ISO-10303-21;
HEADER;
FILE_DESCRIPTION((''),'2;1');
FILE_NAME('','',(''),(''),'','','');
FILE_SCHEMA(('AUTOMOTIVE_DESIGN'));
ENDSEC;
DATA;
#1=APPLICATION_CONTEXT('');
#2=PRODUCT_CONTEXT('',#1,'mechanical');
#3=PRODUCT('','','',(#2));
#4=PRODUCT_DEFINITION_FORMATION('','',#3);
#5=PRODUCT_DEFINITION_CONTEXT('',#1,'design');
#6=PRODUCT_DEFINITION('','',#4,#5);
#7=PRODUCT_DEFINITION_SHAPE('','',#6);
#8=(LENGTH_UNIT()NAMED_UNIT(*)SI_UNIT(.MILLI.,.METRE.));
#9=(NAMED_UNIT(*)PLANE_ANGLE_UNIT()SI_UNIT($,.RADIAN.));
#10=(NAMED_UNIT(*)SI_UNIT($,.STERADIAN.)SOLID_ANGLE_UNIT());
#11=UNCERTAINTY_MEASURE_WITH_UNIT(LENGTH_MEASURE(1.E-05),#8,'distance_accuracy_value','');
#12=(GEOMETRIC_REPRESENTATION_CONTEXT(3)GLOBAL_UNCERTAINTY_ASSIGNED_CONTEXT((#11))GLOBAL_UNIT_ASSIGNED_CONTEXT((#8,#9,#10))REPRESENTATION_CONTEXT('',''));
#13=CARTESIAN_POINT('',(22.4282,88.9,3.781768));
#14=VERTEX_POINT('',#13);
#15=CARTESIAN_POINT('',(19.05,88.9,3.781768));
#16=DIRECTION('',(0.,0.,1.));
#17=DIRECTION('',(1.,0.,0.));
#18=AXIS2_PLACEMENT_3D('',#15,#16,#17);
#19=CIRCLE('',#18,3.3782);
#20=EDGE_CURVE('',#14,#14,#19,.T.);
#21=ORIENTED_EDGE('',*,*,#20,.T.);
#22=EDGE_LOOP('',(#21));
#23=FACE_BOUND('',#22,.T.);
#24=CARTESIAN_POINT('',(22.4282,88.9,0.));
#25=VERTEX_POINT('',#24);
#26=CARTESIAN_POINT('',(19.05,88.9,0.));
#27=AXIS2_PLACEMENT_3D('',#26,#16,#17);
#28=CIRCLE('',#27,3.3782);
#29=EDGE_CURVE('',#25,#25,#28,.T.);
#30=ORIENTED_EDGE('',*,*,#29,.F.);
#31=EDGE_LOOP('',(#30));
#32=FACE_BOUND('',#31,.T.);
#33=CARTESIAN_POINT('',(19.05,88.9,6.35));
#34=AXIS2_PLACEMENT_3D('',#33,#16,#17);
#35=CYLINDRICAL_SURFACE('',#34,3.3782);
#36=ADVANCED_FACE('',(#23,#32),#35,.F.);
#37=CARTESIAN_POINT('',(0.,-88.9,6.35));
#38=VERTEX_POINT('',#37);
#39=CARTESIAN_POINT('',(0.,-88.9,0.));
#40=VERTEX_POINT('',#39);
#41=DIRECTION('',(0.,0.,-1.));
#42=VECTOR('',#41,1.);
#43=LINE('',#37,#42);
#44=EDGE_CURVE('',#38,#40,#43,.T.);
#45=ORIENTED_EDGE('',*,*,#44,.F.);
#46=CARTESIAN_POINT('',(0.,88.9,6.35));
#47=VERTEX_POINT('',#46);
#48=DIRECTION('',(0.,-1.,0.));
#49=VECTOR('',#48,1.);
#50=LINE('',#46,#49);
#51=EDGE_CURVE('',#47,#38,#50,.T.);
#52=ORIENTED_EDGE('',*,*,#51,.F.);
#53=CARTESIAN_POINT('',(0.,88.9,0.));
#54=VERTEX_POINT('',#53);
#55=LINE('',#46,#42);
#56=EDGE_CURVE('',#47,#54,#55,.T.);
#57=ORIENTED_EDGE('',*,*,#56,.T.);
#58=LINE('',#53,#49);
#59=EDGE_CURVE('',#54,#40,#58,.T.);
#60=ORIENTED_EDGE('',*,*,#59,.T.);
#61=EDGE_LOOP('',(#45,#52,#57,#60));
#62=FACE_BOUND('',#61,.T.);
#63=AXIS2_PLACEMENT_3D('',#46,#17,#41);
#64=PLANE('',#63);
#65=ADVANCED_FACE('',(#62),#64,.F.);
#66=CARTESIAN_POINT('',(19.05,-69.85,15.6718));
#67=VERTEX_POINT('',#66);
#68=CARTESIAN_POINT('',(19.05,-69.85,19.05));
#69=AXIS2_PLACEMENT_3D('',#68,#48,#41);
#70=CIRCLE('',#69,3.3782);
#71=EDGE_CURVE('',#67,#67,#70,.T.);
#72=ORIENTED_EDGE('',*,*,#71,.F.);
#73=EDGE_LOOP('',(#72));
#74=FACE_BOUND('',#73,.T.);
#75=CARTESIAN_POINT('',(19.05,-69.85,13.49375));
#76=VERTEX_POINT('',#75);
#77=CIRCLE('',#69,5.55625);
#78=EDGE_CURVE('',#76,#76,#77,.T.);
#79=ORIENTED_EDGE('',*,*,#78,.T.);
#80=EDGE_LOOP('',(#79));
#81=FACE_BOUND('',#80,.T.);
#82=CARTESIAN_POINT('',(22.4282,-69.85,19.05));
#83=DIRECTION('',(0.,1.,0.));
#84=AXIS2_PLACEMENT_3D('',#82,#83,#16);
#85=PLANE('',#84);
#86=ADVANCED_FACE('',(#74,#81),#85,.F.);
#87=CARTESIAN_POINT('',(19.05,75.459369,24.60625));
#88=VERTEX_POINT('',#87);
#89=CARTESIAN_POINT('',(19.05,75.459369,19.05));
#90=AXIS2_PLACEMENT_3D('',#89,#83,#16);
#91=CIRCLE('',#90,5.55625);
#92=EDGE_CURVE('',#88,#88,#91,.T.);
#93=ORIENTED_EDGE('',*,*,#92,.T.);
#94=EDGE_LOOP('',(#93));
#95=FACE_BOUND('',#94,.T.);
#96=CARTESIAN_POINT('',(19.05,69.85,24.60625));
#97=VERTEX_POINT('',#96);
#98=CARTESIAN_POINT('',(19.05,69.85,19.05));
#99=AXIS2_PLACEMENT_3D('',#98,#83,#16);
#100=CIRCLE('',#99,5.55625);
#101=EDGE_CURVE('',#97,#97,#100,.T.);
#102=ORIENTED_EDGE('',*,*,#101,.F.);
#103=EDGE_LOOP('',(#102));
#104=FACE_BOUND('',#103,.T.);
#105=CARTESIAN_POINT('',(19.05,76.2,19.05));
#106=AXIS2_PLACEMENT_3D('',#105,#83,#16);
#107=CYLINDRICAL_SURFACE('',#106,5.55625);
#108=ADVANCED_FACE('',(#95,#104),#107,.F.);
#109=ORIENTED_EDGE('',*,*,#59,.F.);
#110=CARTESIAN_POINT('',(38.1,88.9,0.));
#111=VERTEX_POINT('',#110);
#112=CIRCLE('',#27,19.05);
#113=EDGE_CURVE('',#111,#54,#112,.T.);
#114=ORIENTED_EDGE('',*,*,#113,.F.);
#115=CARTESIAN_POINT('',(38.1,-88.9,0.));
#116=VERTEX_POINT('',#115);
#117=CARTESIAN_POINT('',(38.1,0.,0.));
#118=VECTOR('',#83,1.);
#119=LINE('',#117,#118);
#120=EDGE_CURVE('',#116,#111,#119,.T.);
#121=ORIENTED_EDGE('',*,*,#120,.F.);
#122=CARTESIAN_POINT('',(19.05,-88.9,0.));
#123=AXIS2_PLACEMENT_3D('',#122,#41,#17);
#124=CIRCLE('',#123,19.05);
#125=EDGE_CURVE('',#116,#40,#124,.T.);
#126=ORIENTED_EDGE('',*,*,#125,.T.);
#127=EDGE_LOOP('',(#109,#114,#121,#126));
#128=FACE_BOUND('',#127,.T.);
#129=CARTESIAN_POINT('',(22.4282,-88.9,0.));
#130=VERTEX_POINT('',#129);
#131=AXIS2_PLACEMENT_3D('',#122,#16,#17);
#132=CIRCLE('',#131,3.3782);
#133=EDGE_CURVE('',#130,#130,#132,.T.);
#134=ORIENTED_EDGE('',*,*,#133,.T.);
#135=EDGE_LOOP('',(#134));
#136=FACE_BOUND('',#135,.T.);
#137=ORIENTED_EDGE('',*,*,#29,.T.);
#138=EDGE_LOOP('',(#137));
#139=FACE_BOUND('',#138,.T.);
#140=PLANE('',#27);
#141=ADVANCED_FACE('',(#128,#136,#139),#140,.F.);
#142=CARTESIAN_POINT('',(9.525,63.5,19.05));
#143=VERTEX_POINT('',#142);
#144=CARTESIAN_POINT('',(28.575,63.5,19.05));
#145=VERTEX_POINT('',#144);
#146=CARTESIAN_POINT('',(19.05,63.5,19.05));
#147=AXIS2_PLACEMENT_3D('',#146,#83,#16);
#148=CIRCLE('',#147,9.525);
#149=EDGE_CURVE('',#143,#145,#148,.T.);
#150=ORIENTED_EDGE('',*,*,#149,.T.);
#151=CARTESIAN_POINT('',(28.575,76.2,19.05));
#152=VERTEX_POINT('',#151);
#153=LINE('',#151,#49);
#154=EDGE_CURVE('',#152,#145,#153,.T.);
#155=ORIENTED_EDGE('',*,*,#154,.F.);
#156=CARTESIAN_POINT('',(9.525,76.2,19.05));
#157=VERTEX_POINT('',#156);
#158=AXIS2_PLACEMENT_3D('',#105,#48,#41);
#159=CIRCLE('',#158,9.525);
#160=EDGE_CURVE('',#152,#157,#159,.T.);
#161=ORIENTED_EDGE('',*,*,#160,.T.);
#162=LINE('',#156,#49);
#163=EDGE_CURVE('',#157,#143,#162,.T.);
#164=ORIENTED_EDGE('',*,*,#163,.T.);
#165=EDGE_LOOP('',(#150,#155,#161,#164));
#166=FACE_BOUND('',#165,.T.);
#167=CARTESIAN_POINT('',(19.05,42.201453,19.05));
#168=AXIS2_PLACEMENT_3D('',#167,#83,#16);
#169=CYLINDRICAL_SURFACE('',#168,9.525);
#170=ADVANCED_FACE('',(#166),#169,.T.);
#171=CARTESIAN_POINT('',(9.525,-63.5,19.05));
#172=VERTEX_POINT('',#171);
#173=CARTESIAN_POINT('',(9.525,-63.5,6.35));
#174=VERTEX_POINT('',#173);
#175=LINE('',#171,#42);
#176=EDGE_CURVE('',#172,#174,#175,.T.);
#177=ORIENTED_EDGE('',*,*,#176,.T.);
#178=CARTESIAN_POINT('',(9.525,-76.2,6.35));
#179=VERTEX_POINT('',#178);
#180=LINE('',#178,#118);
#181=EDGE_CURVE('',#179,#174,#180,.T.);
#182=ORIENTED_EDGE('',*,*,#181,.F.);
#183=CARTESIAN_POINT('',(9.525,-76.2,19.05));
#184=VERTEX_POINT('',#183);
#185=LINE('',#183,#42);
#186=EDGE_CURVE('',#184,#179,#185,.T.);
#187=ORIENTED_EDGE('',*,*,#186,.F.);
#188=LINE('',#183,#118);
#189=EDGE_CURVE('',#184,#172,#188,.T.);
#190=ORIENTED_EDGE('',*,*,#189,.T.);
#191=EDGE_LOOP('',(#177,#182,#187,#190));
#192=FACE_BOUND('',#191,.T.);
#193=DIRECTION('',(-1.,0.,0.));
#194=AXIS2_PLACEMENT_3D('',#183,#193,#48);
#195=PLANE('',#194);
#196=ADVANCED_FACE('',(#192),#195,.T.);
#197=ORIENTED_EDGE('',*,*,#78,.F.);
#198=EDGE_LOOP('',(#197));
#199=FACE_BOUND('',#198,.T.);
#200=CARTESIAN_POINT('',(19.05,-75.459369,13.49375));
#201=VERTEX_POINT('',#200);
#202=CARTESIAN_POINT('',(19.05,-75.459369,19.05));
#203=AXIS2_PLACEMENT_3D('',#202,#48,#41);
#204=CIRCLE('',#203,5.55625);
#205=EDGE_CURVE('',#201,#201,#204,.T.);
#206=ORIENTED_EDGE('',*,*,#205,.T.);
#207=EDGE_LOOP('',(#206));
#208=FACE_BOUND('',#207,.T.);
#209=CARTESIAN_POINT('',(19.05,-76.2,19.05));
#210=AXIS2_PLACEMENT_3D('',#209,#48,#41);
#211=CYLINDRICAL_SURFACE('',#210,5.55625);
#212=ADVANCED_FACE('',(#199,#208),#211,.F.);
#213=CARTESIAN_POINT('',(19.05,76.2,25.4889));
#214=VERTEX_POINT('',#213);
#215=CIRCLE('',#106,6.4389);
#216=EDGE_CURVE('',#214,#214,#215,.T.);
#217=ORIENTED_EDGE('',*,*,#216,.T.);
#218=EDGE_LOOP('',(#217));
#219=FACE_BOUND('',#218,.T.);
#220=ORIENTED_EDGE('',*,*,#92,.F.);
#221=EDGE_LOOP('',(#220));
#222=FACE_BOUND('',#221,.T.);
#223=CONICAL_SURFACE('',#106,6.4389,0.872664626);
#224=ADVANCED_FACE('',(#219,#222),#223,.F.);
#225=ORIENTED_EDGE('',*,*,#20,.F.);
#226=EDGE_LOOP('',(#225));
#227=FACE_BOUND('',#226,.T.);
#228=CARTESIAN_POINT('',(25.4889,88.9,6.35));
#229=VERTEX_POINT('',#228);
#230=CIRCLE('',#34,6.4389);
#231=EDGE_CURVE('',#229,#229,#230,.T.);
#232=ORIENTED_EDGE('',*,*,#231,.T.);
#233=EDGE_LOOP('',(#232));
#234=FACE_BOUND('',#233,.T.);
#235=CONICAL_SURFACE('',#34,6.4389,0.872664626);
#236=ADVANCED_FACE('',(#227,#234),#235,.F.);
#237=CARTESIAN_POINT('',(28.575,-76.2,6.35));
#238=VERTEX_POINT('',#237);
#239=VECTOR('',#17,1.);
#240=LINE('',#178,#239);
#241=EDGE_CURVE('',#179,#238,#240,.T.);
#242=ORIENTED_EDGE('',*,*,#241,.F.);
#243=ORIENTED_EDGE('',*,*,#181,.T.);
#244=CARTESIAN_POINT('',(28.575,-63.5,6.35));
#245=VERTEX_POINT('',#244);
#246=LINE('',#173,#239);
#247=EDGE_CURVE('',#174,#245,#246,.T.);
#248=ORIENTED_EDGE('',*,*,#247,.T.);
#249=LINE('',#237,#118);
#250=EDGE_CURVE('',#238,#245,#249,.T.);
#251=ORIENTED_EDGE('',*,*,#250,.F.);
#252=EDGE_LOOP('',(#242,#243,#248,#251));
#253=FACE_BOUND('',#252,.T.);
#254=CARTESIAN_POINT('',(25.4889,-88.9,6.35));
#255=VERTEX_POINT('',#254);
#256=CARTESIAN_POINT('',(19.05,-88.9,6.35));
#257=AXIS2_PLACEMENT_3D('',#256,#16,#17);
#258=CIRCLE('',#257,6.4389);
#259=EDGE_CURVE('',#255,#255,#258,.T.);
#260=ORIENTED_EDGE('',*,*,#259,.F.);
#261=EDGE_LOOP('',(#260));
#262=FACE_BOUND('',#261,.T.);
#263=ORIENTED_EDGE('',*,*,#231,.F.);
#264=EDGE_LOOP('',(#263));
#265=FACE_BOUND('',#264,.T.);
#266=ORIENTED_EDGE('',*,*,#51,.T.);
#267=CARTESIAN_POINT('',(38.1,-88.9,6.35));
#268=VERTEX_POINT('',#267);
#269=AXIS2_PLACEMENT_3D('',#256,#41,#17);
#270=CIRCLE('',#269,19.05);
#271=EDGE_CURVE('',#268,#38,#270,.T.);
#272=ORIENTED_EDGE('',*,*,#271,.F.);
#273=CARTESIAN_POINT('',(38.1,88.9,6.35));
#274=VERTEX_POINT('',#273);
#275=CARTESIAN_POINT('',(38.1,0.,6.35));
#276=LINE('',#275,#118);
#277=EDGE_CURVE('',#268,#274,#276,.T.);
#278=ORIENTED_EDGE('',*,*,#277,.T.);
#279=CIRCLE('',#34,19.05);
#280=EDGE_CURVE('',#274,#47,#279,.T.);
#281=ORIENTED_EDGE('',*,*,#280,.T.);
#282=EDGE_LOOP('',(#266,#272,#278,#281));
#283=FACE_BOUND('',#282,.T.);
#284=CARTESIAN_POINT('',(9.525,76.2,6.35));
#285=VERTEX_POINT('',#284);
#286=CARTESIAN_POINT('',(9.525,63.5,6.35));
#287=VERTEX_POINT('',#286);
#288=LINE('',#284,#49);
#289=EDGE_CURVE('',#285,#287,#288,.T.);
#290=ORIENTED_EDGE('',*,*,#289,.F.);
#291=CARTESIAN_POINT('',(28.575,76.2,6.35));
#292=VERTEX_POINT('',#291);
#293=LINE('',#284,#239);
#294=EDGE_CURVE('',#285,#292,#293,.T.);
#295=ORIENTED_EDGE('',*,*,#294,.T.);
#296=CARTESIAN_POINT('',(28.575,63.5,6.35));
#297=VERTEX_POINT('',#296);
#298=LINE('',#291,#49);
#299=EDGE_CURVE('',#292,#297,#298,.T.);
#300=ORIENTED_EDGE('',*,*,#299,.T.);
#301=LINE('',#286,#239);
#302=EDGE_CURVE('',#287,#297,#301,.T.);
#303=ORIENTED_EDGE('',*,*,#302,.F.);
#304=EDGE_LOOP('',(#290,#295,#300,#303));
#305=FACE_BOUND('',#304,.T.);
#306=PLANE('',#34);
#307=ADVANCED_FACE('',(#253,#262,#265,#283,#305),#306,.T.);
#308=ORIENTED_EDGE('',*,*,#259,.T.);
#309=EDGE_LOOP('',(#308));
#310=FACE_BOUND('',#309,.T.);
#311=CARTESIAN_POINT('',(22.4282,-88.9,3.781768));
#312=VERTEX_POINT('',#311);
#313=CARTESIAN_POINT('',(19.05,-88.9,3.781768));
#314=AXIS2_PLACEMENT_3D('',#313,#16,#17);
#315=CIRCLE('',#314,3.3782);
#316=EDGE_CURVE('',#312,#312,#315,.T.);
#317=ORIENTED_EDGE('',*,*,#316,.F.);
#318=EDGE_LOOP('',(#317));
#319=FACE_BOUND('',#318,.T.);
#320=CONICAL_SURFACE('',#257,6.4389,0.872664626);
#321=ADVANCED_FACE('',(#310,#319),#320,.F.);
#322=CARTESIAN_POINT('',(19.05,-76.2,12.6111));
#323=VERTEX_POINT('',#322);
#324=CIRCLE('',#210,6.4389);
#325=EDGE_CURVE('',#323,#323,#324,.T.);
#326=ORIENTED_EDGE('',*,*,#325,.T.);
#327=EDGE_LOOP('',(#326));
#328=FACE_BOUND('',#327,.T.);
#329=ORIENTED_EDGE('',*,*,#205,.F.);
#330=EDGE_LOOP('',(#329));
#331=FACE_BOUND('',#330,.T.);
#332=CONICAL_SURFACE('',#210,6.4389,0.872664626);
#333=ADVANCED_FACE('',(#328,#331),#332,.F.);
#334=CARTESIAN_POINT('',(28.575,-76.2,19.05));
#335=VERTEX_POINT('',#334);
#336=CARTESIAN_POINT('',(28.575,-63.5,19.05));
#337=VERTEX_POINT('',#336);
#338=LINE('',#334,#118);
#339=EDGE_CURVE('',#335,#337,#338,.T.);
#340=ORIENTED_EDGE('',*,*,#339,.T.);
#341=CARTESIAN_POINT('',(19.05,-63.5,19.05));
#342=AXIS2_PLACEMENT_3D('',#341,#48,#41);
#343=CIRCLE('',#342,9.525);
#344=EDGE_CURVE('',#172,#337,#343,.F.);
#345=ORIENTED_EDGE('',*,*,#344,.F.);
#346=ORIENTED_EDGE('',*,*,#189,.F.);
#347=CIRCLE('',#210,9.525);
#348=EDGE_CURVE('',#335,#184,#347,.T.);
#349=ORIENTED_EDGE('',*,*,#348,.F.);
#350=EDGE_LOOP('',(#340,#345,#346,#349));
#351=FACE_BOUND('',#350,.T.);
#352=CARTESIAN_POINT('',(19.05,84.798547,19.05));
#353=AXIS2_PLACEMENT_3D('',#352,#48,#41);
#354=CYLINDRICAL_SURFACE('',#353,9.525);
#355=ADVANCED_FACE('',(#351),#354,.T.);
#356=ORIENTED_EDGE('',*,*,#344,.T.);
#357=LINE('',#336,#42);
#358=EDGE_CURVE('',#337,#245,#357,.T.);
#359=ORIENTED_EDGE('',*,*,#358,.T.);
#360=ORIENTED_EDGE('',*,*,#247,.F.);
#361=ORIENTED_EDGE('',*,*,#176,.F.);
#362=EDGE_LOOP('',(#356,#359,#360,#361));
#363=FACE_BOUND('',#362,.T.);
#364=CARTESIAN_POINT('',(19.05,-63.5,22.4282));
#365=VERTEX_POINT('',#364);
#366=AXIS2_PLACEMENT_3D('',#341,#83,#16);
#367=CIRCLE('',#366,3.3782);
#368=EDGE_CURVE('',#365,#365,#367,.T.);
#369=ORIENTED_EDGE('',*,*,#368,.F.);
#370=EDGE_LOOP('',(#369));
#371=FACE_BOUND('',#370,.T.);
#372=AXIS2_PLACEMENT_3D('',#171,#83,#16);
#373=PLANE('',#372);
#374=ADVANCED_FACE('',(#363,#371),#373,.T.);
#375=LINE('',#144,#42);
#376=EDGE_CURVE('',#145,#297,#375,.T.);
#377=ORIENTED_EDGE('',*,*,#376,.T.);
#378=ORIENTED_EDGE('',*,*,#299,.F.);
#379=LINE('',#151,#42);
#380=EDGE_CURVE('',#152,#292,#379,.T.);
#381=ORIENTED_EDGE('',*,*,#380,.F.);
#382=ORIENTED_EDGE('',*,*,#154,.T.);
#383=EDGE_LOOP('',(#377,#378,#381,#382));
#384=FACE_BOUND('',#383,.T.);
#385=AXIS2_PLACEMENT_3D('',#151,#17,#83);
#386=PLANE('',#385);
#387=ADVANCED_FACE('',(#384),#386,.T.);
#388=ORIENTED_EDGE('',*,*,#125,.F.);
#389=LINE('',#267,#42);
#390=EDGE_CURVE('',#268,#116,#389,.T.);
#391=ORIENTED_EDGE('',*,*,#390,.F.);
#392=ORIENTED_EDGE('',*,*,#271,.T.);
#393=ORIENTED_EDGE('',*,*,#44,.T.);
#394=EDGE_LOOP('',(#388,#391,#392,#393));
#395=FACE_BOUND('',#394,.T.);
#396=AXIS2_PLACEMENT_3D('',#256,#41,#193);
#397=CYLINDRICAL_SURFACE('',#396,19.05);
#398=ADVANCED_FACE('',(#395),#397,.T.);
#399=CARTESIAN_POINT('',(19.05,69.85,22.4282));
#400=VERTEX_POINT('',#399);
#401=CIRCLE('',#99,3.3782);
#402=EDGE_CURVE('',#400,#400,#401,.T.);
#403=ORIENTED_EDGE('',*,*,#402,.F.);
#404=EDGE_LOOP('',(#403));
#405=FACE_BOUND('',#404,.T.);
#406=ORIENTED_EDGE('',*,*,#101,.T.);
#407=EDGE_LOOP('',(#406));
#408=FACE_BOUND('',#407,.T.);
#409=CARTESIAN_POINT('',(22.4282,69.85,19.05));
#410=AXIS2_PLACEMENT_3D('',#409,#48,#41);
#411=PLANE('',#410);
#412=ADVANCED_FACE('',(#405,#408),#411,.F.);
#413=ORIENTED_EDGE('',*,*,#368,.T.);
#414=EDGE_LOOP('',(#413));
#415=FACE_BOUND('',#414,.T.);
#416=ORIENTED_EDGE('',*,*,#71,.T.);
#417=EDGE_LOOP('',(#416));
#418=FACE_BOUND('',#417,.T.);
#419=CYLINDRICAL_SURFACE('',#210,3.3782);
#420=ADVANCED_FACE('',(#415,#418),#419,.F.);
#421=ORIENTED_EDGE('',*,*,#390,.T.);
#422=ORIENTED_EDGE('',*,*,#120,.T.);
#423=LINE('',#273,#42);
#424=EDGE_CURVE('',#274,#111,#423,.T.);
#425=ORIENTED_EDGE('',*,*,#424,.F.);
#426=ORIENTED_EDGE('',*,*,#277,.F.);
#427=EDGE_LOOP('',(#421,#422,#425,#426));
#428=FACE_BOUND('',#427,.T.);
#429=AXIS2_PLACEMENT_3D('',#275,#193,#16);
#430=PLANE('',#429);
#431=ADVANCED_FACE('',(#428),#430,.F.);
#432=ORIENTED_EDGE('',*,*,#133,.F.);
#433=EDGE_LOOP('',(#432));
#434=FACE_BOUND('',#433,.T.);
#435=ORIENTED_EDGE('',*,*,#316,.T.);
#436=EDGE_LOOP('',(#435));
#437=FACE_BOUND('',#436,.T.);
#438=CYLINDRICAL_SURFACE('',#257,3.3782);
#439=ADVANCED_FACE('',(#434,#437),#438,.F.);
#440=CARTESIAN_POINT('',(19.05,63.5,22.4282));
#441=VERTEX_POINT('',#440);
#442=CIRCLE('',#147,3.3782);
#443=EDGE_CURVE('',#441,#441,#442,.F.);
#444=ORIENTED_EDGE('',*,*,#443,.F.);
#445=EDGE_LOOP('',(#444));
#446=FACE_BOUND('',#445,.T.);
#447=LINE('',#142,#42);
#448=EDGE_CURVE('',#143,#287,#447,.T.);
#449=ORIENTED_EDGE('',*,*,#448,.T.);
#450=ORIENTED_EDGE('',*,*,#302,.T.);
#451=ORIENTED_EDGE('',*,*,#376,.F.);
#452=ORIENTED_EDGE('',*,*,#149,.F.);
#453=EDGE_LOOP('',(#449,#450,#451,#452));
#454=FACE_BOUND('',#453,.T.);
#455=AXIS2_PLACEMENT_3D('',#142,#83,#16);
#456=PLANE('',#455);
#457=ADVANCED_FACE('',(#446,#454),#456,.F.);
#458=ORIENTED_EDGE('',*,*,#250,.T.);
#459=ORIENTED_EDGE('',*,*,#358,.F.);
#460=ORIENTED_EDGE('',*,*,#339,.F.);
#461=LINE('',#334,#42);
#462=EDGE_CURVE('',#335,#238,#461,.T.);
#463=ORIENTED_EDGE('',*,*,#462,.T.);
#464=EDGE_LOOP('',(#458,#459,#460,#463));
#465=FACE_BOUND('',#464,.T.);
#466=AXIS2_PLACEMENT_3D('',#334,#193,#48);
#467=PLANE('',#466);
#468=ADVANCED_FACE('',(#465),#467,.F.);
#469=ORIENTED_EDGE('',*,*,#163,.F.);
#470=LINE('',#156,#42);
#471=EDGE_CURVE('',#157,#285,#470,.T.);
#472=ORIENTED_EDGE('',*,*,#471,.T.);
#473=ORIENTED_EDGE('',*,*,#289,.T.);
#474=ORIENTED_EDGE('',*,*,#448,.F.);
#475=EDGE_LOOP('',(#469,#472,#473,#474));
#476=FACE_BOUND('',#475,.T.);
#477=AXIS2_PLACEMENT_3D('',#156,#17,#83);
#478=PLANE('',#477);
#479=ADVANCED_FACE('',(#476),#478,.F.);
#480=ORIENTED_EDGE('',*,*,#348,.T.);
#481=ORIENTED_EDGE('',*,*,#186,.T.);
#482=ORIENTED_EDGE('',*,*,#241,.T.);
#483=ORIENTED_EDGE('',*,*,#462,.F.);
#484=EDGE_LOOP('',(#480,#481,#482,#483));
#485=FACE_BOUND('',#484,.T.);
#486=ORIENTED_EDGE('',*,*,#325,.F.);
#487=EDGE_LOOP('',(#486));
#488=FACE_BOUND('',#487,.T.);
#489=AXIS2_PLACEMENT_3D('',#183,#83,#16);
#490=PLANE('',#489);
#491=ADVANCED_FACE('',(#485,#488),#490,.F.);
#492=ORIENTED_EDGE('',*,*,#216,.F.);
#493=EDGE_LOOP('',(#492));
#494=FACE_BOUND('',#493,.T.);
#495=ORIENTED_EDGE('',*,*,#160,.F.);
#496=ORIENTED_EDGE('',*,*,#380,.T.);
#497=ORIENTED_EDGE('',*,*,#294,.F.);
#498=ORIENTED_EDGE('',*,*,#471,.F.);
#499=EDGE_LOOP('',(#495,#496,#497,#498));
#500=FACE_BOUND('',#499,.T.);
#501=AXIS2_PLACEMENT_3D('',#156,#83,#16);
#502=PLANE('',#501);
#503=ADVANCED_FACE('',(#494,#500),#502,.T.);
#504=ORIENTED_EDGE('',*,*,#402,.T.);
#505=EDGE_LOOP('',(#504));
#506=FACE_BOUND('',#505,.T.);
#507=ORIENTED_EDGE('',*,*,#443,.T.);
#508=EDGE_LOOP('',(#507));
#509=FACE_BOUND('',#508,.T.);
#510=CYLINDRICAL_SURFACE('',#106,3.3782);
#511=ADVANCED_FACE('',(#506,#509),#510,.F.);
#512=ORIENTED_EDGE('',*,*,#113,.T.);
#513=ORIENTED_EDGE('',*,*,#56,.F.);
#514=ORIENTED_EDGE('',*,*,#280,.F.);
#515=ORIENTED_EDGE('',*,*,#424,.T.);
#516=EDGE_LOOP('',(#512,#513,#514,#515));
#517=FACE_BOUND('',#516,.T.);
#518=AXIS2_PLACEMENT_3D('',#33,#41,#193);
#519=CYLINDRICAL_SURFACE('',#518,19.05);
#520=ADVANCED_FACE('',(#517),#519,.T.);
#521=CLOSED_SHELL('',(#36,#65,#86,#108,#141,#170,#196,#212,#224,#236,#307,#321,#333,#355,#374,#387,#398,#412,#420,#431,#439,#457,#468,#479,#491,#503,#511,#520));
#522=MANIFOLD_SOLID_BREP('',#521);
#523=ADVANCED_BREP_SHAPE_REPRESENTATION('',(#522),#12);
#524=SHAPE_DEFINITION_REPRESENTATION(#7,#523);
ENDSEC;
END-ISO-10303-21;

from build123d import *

# Parameters (mm, degrees)
BOSS_EXTRUDE1_DEPTH                                 = 6.35
CSK_FOR_1_4_FLAT_HEAD_MACHINE_SCREW_100_D           = 6.7564
CSK_FOR_1_4_FLAT_HEAD_MACHINE_SCREW_100_CSINK_D     = 12.8778
CSK_FOR_1_4_FLAT_HEAD_MACHINE_SCREW_100_CSINK_ANGLE = 100
SKETCH4_W                                           = 19.05
SKETCH4_H                                           = 12.7
BOSS_EXTRUDE2_DEPTH                                 = 12.7
BOSS_EXTRUDE4_DEPTH                                 = 12.7


with BuildPart() as part:
    # Sketch1 → Boss-Extrude1 (new body)
    with BuildSketch(Plane.XY):
        with BuildLine():
            Line((0, 0), (38.1, 0))
            Line((38.1, 0), (38.1, 88.9))
            ThreePointArc((38.1, 88.9), (19.05, 107.95), (0, 88.9))
            Line((0, 88.9), (0, 0))
        make_face()
    boss_extrude1 = extrude(amount=BOSS_EXTRUDE1_DEPTH)

    # CSK for 1/4 Flat Head Machine Screw (100)1 (through all)
    with Locations(Plane.XY.offset(6.35)):
        with Locations((19.05, 88.9)):
            csk_for_1_4_flat_head_machine_screw_100 = CounterSinkHole(CSK_FOR_1_4_FLAT_HEAD_MACHINE_SCREW_100_D / 2, CSK_FOR_1_4_FLAT_HEAD_MACHINE_SCREW_100_CSINK_D / 2, counter_sink_angle=CSK_FOR_1_4_FLAT_HEAD_MACHINE_SCREW_100_CSINK_ANGLE)

    # Sketch4 → Boss-Extrude2 (add)
    with BuildSketch(Plane.XY.offset(6.35)):
        with Locations((19.05, 69.85)):
            Rectangle(SKETCH4_W, SKETCH4_H)
    boss_extrude2 = extrude(amount=BOSS_EXTRUDE2_DEPTH)

    # Sketch12 → Boss-Extrude4 (add)
    with BuildSketch(Plane(origin=(0, 76.2, 0), x_dir=(1, 0, 0), z_dir=(0, 1, 0))):
        with BuildLine():
            Line((9.525, -19.05), (28.575, -19.05))
            ThreePointArc((28.575, -19.05), (19.05, -28.575), (9.525, -19.05))
        make_face()
    boss_extrude4 = extrude(amount=-BOSS_EXTRUDE4_DEPTH)

    # Sketch14 → CBORE for 1/4 Socket Head Cap Screw1 (revolve, cut)
    with BuildSketch(Plane(origin=(19.05, 76.2, 19.05), x_dir=(0, 0, 1), z_dir=(1, 0, 0))):
        Polygon((0, 0), (0, 141.728827343), (3.3782, 139.699), (3.3782, 6.35), (5.55625, 6.35), (5.55625, 0.740631289), (6.4389, 0), align=None)
    cbore_for_1_4_socket_head_cap_screw1 = revolve(axis=Axis((19.05, 82.55, 19.05), (0, -1, 0)), mode=Mode.SUBTRACT)

    # Mirror3: Boss-Extrude1, CSK for 1/4 Flat Head Machine Screw (100)1, Boss-Extrude2, Boss-Extrude4, CBORE for 1/4 Socket Head Cap Screw1 across plane
    add(boss_extrude1.mirror(Plane(origin=(0, 0, 6.35), x_dir=(0, 0, 1), z_dir=(0, 1, 0))))
    add(csk_for_1_4_flat_head_machine_screw_100.mirror(Plane(origin=(0, 0, 6.35), x_dir=(0, 0, 1), z_dir=(0, 1, 0))), mode=Mode.SUBTRACT)
    add(boss_extrude2.mirror(Plane(origin=(0, 0, 6.35), x_dir=(0, 0, 1), z_dir=(0, 1, 0))))
    add(boss_extrude4.mirror(Plane(origin=(0, 0, 6.35), x_dir=(0, 0, 1), z_dir=(0, 1, 0))))
    add(cbore_for_1_4_socket_head_cap_screw1.mirror(Plane(origin=(0, 0, 6.35), x_dir=(0, 0, 1), z_dir=(0, 1, 0))), mode=Mode.SUBTRACT)


solid = part.part
